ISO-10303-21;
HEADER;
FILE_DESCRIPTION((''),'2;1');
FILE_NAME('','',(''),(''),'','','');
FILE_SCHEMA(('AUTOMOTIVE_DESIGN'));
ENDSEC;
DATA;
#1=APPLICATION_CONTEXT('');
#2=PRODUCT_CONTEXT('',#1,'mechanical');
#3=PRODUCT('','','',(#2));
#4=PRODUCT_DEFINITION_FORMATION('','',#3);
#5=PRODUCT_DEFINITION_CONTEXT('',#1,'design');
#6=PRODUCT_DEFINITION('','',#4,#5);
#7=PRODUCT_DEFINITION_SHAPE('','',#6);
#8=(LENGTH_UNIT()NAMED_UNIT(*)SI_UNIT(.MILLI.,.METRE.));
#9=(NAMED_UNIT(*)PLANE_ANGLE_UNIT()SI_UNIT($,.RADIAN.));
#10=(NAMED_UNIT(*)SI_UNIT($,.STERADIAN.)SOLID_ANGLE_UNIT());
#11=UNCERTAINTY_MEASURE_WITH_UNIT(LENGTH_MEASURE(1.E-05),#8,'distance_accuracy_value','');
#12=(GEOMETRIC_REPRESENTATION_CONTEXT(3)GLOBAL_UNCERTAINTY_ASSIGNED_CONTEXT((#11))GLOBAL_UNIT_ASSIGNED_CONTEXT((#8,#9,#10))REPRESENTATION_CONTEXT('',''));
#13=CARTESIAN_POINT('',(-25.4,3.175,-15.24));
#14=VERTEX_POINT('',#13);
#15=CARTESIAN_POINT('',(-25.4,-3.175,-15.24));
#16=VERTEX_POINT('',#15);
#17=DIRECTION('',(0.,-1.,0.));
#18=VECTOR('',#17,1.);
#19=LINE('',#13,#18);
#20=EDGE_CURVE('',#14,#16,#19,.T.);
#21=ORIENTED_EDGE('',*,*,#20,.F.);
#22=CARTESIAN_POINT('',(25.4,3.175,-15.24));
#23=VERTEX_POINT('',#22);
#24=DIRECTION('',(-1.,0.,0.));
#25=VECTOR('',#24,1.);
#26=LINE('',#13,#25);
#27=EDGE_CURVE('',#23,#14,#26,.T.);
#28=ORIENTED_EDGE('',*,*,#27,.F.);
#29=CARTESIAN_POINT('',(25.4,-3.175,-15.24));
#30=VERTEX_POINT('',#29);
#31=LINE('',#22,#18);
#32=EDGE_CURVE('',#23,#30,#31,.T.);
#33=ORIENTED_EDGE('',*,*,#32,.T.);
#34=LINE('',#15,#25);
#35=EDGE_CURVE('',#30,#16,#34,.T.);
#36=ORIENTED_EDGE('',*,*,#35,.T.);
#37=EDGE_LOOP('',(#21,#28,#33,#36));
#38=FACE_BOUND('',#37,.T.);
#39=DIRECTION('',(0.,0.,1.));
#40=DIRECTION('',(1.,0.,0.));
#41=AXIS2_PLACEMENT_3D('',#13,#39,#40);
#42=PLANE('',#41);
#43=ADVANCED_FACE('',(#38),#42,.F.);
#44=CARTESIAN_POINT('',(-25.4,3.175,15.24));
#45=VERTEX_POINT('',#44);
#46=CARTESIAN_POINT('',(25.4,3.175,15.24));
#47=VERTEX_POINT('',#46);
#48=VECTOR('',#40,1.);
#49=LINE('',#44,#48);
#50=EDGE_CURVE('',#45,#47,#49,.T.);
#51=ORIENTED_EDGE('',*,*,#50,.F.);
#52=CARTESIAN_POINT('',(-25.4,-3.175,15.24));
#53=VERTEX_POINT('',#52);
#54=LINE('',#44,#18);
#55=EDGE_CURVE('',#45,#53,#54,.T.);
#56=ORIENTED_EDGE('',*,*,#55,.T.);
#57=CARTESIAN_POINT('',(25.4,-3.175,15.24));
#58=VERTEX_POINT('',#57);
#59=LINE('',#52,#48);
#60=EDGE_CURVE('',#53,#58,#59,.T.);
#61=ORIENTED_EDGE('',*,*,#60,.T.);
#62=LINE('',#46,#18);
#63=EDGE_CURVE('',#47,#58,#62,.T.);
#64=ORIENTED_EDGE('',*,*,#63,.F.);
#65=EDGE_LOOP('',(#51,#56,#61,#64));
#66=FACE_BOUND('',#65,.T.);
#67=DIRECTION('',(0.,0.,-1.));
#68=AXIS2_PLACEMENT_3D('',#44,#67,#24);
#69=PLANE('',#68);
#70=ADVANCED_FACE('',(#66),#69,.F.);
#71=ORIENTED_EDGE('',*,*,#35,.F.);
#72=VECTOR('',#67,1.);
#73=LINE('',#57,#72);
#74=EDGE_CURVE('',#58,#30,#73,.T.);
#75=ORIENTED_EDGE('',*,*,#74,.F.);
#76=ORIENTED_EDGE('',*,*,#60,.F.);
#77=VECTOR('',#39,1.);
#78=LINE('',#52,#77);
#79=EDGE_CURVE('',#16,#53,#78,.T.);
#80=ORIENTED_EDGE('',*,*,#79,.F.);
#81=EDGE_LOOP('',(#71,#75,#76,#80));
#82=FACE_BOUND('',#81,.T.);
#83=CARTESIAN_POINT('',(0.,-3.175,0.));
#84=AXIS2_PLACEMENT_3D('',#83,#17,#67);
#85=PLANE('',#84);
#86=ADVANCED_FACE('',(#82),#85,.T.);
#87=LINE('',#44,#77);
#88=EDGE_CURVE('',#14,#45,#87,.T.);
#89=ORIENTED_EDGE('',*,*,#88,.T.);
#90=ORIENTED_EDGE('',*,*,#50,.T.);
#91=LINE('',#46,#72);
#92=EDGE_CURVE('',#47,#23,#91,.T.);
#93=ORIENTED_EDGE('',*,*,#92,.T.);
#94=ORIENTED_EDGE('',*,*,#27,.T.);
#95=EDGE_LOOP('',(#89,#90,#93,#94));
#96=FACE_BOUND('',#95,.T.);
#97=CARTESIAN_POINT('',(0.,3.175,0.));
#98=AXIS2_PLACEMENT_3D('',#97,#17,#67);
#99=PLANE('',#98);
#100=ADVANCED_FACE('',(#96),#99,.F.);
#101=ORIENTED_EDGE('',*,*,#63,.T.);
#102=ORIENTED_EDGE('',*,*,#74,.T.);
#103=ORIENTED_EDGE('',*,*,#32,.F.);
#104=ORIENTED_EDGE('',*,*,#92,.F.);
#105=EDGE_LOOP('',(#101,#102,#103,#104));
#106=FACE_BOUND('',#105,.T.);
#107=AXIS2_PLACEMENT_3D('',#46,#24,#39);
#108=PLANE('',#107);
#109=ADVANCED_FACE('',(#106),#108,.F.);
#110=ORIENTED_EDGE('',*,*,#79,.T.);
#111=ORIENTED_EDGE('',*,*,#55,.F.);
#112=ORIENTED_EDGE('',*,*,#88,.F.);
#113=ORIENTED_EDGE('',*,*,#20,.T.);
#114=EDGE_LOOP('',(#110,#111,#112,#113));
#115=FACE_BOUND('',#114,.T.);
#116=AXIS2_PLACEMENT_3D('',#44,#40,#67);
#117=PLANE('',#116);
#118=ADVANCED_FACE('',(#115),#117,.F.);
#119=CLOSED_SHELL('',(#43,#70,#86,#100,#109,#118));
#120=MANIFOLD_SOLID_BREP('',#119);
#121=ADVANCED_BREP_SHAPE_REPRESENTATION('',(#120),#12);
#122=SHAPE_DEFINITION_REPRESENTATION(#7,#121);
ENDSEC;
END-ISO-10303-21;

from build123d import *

# Parameters (mm, degrees)
SKETCH1_W           = 50.8
SKETCH1_H           = 30.48
BOSS_EXTRUDE1_DEPTH = 3.175


with BuildPart() as part:
    # Sketch1 → Boss-Extrude1 (new body, symmetric)
    with BuildSketch(Plane(origin=(0, 0, 0), x_dir=(1, 0, 0), z_dir=(0, 1, 0))):
        Rectangle(SKETCH1_W, SKETCH1_H)
    extrude(amount=BOSS_EXTRUDE1_DEPTH, both=True)


solid = part.part
